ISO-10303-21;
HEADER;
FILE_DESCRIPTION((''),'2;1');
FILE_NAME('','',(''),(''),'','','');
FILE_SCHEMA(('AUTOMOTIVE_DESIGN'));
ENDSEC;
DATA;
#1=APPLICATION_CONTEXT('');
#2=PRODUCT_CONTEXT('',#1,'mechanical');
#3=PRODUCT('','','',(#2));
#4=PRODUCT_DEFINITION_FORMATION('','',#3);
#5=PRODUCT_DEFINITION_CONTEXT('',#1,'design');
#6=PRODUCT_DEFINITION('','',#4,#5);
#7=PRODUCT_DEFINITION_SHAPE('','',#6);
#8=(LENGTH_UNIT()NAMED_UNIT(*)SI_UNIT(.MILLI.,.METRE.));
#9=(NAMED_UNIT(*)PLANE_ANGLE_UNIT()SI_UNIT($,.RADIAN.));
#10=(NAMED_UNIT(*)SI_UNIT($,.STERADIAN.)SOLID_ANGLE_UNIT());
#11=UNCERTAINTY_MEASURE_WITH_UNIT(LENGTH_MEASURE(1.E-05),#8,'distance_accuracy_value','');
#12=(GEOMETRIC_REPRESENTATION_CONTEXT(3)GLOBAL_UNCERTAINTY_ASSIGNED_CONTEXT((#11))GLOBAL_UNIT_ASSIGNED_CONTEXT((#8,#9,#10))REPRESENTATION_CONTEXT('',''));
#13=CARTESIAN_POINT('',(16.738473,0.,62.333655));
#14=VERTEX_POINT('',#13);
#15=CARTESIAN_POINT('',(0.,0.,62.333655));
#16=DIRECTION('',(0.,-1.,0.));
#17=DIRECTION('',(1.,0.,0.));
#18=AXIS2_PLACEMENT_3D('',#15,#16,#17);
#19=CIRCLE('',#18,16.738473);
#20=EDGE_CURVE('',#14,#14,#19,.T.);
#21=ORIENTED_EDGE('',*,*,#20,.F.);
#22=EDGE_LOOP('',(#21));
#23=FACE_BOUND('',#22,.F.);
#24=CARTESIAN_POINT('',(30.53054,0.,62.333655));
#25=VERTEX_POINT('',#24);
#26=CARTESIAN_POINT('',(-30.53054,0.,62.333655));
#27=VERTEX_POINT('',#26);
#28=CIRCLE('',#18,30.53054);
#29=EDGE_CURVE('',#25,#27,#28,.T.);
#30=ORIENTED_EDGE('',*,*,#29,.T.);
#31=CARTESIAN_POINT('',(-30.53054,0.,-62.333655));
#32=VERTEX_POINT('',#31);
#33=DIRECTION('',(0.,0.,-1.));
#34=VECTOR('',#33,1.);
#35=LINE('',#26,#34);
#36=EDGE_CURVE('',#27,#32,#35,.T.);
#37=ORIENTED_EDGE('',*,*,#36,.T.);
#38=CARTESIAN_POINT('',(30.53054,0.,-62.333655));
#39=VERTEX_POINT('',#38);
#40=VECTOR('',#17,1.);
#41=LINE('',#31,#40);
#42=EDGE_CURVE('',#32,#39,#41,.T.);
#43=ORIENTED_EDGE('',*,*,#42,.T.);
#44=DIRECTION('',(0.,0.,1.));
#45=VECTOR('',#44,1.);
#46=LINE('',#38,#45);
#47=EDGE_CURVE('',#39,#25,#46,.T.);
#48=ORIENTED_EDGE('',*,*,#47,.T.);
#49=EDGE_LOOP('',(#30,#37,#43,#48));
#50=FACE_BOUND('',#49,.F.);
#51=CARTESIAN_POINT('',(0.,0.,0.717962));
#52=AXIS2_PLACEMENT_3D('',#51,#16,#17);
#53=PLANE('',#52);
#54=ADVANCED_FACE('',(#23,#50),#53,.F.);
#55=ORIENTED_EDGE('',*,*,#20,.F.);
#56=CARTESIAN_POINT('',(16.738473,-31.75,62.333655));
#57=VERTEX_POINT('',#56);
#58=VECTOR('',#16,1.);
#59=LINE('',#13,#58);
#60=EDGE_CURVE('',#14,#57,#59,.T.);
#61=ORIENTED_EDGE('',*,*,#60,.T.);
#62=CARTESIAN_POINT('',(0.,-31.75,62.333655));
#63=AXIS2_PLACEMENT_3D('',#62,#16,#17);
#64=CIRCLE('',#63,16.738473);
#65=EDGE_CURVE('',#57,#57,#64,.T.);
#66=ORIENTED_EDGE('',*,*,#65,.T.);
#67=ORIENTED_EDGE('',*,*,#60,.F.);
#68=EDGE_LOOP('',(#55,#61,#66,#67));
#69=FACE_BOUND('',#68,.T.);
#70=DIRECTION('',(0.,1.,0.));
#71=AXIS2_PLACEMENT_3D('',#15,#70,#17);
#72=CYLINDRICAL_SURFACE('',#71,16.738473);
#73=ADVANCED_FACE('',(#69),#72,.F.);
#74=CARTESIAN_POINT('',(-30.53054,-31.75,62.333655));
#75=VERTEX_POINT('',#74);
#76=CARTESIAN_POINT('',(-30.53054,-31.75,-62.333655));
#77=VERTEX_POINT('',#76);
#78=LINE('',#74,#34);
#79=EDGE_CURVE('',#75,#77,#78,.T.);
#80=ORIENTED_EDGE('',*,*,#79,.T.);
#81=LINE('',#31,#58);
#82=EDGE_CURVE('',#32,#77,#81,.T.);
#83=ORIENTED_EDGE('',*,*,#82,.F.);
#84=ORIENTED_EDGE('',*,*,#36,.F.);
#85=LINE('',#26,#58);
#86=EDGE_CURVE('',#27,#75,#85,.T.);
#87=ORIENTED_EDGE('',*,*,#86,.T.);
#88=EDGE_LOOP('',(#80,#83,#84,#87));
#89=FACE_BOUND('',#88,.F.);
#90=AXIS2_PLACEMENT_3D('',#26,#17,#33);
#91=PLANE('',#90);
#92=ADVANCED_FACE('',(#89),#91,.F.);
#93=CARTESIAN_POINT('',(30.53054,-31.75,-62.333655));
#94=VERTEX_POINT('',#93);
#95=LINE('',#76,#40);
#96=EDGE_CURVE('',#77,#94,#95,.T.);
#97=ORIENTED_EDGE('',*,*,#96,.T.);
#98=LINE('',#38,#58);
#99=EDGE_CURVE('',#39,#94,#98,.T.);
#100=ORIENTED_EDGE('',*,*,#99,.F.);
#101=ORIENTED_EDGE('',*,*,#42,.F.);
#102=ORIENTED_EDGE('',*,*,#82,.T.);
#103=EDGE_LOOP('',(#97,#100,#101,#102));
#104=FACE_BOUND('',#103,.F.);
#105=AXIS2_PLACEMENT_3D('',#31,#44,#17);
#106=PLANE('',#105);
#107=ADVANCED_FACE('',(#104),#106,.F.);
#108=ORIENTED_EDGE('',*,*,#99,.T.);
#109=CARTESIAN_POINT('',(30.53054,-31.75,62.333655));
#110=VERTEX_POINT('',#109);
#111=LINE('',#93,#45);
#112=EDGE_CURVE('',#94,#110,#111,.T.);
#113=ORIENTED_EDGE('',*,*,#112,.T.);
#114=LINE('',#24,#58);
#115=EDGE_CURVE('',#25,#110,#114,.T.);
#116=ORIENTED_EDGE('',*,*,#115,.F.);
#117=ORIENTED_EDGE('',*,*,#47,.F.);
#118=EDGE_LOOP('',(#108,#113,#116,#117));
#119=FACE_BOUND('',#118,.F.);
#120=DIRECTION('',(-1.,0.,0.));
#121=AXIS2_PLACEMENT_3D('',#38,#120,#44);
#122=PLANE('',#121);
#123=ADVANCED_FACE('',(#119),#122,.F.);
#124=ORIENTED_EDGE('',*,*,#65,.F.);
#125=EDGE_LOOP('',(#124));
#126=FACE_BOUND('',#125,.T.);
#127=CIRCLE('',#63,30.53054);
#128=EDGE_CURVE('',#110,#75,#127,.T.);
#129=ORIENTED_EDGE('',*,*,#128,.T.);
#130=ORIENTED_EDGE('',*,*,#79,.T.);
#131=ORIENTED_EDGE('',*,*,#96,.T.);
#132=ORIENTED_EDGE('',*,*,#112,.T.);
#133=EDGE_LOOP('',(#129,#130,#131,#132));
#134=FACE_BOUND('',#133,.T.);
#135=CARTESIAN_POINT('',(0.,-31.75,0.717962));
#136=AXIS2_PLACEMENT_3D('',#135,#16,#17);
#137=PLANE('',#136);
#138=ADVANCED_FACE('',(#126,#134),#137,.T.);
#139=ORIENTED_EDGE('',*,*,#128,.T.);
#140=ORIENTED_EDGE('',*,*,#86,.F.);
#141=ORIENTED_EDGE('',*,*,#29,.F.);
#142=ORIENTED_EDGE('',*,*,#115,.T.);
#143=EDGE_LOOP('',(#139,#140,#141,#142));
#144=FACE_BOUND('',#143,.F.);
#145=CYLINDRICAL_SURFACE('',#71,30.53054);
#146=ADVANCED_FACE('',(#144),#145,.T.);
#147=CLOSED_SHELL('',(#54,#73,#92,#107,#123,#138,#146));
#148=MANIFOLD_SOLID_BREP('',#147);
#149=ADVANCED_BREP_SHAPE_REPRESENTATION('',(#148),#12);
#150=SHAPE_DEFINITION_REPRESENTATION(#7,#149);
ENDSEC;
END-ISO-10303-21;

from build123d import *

# Parameters (mm, degrees)
F0_R     = 16.738473
F1_DEPTH = 31.75


with BuildPart() as f1:
    # F0 (on Front) → F1 (new body)
    with BuildSketch(Plane.XZ):
        with BuildLine():
            Line((-30.53054, -62.333655), (30.53054, -62.333655))
            Line((30.53054, -62.333655), (30.53054, 62.333655))
            ThreePointArc((30.53054, 62.333655), (0, 31.803114), (-30.53054, 62.333655))
            Line((-30.53054, 62.333655), (-30.53054, -62.333655))
        make_face()
        with BuildLine():
            ThreePointArc((-30.53054, 62.333655), (0, 31.803114), (30.53054, 62.333655))
            ThreePointArc((30.53054, 62.333655), (0, 92.864195), (-30.53054, 62.333655))
        make_face()
        with Locations((0, 62.333655)):
            Circle(F0_R, mode=Mode.SUBTRACT)
    extrude(amount=F1_DEPTH)


solid = f1.part
